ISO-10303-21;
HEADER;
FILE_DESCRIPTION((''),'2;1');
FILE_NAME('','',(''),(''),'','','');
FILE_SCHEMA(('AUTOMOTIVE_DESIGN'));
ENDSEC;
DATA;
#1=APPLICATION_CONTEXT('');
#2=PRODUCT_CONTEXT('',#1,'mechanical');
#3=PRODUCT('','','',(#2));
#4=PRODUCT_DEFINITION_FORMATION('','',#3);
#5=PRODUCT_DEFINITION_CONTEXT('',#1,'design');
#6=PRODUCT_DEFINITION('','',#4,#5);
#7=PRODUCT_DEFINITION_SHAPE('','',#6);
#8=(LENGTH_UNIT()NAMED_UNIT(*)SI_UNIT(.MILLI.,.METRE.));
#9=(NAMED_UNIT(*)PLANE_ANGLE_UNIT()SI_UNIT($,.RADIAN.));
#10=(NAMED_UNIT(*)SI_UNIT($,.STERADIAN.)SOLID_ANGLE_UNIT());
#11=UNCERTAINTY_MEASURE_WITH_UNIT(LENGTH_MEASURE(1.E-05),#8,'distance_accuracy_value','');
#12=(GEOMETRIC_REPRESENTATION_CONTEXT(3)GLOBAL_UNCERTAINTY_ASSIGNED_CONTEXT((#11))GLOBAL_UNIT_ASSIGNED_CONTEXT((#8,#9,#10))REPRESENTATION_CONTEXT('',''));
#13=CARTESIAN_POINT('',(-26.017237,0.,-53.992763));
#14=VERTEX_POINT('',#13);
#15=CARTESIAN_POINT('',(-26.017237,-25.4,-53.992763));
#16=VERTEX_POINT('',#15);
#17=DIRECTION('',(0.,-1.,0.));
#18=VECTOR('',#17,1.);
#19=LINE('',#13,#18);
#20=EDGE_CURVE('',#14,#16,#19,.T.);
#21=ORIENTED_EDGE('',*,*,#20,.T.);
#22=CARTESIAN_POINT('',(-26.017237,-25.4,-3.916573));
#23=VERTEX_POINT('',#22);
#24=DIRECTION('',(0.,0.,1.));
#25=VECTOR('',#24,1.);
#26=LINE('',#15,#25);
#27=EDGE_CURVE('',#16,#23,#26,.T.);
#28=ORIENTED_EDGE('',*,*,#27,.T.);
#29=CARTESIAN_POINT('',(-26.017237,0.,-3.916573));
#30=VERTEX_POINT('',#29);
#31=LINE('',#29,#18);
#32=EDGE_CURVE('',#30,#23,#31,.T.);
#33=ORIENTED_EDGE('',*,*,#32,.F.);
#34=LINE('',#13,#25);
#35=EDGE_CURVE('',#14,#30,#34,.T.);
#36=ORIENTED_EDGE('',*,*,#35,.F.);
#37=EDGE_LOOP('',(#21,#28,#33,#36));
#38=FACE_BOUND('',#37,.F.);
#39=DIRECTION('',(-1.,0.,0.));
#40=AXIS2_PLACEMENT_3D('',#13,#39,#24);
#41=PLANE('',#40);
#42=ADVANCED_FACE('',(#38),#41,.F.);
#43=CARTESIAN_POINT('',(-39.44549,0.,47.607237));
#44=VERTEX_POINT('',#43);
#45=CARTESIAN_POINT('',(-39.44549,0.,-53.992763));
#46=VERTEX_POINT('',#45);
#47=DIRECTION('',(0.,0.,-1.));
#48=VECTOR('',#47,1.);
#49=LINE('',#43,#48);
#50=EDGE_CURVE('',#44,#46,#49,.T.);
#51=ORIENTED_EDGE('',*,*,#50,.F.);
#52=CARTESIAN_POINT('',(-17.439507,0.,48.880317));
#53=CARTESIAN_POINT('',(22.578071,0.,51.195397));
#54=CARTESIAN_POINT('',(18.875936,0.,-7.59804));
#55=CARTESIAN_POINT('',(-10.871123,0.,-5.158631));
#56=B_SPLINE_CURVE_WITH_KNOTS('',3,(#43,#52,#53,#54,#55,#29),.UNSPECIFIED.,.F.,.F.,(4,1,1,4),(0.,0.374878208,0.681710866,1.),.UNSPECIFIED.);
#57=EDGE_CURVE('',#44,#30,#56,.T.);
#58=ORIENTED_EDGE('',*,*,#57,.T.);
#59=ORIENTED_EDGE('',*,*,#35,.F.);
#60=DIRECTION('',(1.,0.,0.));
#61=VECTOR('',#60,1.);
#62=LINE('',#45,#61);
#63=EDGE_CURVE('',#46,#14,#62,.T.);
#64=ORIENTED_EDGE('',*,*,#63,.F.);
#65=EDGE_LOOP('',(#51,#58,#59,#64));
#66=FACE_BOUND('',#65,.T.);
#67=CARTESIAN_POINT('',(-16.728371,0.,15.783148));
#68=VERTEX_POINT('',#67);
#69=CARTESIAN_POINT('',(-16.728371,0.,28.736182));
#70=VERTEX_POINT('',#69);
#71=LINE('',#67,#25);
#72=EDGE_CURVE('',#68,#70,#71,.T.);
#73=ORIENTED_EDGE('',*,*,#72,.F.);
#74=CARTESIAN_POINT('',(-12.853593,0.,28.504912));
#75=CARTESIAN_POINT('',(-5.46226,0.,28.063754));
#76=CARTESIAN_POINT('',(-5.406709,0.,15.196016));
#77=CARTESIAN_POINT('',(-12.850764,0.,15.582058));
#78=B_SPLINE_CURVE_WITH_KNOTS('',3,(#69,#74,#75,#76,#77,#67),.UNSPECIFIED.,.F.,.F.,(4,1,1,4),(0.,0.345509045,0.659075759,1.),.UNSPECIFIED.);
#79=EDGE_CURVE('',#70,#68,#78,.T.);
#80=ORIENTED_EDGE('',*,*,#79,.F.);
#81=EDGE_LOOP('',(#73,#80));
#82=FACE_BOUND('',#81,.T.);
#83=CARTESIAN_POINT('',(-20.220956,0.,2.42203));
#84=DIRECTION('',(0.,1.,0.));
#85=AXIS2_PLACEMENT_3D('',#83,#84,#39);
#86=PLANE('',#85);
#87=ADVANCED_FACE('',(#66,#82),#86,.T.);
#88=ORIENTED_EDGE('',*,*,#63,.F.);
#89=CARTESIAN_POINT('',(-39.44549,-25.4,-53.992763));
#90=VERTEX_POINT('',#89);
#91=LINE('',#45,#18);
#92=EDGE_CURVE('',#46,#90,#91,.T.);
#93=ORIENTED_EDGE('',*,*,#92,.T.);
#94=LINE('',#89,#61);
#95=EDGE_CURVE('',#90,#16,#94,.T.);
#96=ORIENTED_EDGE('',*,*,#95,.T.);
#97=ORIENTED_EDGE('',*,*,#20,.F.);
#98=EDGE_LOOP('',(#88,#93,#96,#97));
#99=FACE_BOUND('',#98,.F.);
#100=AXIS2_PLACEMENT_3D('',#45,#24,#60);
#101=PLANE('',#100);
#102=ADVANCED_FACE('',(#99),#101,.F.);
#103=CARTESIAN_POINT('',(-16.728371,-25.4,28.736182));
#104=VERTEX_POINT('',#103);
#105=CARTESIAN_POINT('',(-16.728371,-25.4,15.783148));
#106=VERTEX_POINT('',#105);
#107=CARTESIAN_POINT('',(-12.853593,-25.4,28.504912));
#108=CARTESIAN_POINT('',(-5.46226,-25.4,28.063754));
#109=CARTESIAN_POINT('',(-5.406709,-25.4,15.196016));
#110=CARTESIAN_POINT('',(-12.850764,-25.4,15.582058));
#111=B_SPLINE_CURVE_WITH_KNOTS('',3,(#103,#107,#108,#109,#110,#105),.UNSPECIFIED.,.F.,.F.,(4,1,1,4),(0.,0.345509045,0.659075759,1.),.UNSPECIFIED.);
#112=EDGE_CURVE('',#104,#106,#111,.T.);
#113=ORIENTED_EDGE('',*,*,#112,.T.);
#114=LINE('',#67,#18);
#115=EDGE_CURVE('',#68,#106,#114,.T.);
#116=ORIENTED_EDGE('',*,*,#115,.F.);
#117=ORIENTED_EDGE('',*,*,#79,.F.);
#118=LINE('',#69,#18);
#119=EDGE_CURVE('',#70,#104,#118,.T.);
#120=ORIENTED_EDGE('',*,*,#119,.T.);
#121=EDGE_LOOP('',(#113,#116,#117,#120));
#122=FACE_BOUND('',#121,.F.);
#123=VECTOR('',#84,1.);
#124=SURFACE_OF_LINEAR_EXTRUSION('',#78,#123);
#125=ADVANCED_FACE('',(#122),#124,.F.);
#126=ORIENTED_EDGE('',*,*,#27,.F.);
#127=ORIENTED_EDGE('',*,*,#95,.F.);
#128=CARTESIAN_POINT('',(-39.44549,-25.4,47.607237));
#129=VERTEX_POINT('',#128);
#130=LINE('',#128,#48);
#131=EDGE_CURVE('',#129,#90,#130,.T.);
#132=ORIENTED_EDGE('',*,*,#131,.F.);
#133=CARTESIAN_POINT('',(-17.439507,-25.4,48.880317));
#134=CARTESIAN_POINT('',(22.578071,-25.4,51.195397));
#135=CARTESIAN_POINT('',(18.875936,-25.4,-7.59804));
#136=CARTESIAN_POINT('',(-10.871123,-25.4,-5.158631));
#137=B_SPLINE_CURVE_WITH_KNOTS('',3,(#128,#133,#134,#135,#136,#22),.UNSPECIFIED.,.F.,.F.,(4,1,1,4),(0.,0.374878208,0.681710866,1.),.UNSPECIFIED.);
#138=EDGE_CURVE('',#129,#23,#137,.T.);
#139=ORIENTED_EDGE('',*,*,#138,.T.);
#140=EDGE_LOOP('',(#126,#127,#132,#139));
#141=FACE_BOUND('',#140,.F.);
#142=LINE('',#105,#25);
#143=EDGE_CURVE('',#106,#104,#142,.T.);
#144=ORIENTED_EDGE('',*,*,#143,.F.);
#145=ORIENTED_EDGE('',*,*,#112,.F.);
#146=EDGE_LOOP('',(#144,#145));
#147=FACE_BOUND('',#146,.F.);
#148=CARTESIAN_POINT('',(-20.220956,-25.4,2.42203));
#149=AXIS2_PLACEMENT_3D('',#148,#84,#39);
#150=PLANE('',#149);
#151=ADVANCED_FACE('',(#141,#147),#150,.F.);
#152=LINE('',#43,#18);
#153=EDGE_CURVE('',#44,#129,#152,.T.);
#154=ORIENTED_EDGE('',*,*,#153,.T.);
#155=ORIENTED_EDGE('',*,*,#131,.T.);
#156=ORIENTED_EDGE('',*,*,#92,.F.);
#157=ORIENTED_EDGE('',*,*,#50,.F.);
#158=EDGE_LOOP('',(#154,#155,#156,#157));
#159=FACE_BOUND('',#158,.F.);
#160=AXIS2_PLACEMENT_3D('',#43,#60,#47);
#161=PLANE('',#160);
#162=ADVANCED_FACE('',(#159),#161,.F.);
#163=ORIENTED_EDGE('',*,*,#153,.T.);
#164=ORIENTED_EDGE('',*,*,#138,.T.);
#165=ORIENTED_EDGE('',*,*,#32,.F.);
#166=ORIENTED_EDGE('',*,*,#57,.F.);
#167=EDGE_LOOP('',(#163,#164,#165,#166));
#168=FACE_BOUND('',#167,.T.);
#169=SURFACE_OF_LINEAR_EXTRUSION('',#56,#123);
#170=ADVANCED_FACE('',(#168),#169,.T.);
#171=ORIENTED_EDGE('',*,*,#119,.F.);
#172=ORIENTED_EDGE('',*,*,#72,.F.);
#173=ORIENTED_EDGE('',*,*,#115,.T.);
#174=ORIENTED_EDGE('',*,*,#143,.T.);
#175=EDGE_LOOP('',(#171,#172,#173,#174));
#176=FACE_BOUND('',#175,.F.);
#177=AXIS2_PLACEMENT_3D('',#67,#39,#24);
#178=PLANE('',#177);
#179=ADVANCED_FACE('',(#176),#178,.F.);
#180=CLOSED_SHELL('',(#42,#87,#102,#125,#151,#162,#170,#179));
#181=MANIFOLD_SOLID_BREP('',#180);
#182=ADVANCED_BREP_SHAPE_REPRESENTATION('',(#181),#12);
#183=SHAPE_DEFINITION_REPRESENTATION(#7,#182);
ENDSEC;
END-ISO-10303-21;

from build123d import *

# Parameters (mm, degrees)
F1_DEPTH = 25.4


with BuildPart() as f1:
    # F0 (on Front) → F1 (new body)
    with BuildSketch(Plane.XZ):
        with BuildLine():
            add(Edge.make_bspline(
                [(-39.445489645, 47.6072368383), (-17.4395065109, 48.880317418), (22.5780711292, 51.1953969411), (18.8759362418, -7.5980401225), (-10.8711234982, -5.1586310517), (-26.0172374547, -3.9165732451)],
                knots=[0, 0, 0, 0, 0.3748782085, 0.6817108658, 1, 1, 1, 1], degree=3))
            Line((-39.445489645, 47.6072368383), (-39.445489645, -53.9927631617))
            Line((-39.445489645, -53.9927631617), (-26.0172374547, -53.9927631617))
            Line((-26.0172374547, -53.9927631617), (-26.0172374547, -3.9165732451))
        make_face()
        with BuildLine():
            Line((-16.7283713818, 15.7831478864), (-16.7283713818, 28.7361815572))
            add(Edge.make_bspline(
                [(-16.7283713818, 28.7361815572), (-12.8535929618, 28.5049121028), (-5.462259616, 28.0637540688), (-5.4067090279, 15.1960156796), (-12.850764167, 15.5820583282), (-16.7283713818, 15.7831478864)],
                knots=[0, 0, 0, 0, 0.3455090454, 0.6590757591, 1, 1, 1, 1], degree=3))
        make_face(mode=Mode.SUBTRACT)
    extrude(amount=F1_DEPTH)


solid = f1.part
